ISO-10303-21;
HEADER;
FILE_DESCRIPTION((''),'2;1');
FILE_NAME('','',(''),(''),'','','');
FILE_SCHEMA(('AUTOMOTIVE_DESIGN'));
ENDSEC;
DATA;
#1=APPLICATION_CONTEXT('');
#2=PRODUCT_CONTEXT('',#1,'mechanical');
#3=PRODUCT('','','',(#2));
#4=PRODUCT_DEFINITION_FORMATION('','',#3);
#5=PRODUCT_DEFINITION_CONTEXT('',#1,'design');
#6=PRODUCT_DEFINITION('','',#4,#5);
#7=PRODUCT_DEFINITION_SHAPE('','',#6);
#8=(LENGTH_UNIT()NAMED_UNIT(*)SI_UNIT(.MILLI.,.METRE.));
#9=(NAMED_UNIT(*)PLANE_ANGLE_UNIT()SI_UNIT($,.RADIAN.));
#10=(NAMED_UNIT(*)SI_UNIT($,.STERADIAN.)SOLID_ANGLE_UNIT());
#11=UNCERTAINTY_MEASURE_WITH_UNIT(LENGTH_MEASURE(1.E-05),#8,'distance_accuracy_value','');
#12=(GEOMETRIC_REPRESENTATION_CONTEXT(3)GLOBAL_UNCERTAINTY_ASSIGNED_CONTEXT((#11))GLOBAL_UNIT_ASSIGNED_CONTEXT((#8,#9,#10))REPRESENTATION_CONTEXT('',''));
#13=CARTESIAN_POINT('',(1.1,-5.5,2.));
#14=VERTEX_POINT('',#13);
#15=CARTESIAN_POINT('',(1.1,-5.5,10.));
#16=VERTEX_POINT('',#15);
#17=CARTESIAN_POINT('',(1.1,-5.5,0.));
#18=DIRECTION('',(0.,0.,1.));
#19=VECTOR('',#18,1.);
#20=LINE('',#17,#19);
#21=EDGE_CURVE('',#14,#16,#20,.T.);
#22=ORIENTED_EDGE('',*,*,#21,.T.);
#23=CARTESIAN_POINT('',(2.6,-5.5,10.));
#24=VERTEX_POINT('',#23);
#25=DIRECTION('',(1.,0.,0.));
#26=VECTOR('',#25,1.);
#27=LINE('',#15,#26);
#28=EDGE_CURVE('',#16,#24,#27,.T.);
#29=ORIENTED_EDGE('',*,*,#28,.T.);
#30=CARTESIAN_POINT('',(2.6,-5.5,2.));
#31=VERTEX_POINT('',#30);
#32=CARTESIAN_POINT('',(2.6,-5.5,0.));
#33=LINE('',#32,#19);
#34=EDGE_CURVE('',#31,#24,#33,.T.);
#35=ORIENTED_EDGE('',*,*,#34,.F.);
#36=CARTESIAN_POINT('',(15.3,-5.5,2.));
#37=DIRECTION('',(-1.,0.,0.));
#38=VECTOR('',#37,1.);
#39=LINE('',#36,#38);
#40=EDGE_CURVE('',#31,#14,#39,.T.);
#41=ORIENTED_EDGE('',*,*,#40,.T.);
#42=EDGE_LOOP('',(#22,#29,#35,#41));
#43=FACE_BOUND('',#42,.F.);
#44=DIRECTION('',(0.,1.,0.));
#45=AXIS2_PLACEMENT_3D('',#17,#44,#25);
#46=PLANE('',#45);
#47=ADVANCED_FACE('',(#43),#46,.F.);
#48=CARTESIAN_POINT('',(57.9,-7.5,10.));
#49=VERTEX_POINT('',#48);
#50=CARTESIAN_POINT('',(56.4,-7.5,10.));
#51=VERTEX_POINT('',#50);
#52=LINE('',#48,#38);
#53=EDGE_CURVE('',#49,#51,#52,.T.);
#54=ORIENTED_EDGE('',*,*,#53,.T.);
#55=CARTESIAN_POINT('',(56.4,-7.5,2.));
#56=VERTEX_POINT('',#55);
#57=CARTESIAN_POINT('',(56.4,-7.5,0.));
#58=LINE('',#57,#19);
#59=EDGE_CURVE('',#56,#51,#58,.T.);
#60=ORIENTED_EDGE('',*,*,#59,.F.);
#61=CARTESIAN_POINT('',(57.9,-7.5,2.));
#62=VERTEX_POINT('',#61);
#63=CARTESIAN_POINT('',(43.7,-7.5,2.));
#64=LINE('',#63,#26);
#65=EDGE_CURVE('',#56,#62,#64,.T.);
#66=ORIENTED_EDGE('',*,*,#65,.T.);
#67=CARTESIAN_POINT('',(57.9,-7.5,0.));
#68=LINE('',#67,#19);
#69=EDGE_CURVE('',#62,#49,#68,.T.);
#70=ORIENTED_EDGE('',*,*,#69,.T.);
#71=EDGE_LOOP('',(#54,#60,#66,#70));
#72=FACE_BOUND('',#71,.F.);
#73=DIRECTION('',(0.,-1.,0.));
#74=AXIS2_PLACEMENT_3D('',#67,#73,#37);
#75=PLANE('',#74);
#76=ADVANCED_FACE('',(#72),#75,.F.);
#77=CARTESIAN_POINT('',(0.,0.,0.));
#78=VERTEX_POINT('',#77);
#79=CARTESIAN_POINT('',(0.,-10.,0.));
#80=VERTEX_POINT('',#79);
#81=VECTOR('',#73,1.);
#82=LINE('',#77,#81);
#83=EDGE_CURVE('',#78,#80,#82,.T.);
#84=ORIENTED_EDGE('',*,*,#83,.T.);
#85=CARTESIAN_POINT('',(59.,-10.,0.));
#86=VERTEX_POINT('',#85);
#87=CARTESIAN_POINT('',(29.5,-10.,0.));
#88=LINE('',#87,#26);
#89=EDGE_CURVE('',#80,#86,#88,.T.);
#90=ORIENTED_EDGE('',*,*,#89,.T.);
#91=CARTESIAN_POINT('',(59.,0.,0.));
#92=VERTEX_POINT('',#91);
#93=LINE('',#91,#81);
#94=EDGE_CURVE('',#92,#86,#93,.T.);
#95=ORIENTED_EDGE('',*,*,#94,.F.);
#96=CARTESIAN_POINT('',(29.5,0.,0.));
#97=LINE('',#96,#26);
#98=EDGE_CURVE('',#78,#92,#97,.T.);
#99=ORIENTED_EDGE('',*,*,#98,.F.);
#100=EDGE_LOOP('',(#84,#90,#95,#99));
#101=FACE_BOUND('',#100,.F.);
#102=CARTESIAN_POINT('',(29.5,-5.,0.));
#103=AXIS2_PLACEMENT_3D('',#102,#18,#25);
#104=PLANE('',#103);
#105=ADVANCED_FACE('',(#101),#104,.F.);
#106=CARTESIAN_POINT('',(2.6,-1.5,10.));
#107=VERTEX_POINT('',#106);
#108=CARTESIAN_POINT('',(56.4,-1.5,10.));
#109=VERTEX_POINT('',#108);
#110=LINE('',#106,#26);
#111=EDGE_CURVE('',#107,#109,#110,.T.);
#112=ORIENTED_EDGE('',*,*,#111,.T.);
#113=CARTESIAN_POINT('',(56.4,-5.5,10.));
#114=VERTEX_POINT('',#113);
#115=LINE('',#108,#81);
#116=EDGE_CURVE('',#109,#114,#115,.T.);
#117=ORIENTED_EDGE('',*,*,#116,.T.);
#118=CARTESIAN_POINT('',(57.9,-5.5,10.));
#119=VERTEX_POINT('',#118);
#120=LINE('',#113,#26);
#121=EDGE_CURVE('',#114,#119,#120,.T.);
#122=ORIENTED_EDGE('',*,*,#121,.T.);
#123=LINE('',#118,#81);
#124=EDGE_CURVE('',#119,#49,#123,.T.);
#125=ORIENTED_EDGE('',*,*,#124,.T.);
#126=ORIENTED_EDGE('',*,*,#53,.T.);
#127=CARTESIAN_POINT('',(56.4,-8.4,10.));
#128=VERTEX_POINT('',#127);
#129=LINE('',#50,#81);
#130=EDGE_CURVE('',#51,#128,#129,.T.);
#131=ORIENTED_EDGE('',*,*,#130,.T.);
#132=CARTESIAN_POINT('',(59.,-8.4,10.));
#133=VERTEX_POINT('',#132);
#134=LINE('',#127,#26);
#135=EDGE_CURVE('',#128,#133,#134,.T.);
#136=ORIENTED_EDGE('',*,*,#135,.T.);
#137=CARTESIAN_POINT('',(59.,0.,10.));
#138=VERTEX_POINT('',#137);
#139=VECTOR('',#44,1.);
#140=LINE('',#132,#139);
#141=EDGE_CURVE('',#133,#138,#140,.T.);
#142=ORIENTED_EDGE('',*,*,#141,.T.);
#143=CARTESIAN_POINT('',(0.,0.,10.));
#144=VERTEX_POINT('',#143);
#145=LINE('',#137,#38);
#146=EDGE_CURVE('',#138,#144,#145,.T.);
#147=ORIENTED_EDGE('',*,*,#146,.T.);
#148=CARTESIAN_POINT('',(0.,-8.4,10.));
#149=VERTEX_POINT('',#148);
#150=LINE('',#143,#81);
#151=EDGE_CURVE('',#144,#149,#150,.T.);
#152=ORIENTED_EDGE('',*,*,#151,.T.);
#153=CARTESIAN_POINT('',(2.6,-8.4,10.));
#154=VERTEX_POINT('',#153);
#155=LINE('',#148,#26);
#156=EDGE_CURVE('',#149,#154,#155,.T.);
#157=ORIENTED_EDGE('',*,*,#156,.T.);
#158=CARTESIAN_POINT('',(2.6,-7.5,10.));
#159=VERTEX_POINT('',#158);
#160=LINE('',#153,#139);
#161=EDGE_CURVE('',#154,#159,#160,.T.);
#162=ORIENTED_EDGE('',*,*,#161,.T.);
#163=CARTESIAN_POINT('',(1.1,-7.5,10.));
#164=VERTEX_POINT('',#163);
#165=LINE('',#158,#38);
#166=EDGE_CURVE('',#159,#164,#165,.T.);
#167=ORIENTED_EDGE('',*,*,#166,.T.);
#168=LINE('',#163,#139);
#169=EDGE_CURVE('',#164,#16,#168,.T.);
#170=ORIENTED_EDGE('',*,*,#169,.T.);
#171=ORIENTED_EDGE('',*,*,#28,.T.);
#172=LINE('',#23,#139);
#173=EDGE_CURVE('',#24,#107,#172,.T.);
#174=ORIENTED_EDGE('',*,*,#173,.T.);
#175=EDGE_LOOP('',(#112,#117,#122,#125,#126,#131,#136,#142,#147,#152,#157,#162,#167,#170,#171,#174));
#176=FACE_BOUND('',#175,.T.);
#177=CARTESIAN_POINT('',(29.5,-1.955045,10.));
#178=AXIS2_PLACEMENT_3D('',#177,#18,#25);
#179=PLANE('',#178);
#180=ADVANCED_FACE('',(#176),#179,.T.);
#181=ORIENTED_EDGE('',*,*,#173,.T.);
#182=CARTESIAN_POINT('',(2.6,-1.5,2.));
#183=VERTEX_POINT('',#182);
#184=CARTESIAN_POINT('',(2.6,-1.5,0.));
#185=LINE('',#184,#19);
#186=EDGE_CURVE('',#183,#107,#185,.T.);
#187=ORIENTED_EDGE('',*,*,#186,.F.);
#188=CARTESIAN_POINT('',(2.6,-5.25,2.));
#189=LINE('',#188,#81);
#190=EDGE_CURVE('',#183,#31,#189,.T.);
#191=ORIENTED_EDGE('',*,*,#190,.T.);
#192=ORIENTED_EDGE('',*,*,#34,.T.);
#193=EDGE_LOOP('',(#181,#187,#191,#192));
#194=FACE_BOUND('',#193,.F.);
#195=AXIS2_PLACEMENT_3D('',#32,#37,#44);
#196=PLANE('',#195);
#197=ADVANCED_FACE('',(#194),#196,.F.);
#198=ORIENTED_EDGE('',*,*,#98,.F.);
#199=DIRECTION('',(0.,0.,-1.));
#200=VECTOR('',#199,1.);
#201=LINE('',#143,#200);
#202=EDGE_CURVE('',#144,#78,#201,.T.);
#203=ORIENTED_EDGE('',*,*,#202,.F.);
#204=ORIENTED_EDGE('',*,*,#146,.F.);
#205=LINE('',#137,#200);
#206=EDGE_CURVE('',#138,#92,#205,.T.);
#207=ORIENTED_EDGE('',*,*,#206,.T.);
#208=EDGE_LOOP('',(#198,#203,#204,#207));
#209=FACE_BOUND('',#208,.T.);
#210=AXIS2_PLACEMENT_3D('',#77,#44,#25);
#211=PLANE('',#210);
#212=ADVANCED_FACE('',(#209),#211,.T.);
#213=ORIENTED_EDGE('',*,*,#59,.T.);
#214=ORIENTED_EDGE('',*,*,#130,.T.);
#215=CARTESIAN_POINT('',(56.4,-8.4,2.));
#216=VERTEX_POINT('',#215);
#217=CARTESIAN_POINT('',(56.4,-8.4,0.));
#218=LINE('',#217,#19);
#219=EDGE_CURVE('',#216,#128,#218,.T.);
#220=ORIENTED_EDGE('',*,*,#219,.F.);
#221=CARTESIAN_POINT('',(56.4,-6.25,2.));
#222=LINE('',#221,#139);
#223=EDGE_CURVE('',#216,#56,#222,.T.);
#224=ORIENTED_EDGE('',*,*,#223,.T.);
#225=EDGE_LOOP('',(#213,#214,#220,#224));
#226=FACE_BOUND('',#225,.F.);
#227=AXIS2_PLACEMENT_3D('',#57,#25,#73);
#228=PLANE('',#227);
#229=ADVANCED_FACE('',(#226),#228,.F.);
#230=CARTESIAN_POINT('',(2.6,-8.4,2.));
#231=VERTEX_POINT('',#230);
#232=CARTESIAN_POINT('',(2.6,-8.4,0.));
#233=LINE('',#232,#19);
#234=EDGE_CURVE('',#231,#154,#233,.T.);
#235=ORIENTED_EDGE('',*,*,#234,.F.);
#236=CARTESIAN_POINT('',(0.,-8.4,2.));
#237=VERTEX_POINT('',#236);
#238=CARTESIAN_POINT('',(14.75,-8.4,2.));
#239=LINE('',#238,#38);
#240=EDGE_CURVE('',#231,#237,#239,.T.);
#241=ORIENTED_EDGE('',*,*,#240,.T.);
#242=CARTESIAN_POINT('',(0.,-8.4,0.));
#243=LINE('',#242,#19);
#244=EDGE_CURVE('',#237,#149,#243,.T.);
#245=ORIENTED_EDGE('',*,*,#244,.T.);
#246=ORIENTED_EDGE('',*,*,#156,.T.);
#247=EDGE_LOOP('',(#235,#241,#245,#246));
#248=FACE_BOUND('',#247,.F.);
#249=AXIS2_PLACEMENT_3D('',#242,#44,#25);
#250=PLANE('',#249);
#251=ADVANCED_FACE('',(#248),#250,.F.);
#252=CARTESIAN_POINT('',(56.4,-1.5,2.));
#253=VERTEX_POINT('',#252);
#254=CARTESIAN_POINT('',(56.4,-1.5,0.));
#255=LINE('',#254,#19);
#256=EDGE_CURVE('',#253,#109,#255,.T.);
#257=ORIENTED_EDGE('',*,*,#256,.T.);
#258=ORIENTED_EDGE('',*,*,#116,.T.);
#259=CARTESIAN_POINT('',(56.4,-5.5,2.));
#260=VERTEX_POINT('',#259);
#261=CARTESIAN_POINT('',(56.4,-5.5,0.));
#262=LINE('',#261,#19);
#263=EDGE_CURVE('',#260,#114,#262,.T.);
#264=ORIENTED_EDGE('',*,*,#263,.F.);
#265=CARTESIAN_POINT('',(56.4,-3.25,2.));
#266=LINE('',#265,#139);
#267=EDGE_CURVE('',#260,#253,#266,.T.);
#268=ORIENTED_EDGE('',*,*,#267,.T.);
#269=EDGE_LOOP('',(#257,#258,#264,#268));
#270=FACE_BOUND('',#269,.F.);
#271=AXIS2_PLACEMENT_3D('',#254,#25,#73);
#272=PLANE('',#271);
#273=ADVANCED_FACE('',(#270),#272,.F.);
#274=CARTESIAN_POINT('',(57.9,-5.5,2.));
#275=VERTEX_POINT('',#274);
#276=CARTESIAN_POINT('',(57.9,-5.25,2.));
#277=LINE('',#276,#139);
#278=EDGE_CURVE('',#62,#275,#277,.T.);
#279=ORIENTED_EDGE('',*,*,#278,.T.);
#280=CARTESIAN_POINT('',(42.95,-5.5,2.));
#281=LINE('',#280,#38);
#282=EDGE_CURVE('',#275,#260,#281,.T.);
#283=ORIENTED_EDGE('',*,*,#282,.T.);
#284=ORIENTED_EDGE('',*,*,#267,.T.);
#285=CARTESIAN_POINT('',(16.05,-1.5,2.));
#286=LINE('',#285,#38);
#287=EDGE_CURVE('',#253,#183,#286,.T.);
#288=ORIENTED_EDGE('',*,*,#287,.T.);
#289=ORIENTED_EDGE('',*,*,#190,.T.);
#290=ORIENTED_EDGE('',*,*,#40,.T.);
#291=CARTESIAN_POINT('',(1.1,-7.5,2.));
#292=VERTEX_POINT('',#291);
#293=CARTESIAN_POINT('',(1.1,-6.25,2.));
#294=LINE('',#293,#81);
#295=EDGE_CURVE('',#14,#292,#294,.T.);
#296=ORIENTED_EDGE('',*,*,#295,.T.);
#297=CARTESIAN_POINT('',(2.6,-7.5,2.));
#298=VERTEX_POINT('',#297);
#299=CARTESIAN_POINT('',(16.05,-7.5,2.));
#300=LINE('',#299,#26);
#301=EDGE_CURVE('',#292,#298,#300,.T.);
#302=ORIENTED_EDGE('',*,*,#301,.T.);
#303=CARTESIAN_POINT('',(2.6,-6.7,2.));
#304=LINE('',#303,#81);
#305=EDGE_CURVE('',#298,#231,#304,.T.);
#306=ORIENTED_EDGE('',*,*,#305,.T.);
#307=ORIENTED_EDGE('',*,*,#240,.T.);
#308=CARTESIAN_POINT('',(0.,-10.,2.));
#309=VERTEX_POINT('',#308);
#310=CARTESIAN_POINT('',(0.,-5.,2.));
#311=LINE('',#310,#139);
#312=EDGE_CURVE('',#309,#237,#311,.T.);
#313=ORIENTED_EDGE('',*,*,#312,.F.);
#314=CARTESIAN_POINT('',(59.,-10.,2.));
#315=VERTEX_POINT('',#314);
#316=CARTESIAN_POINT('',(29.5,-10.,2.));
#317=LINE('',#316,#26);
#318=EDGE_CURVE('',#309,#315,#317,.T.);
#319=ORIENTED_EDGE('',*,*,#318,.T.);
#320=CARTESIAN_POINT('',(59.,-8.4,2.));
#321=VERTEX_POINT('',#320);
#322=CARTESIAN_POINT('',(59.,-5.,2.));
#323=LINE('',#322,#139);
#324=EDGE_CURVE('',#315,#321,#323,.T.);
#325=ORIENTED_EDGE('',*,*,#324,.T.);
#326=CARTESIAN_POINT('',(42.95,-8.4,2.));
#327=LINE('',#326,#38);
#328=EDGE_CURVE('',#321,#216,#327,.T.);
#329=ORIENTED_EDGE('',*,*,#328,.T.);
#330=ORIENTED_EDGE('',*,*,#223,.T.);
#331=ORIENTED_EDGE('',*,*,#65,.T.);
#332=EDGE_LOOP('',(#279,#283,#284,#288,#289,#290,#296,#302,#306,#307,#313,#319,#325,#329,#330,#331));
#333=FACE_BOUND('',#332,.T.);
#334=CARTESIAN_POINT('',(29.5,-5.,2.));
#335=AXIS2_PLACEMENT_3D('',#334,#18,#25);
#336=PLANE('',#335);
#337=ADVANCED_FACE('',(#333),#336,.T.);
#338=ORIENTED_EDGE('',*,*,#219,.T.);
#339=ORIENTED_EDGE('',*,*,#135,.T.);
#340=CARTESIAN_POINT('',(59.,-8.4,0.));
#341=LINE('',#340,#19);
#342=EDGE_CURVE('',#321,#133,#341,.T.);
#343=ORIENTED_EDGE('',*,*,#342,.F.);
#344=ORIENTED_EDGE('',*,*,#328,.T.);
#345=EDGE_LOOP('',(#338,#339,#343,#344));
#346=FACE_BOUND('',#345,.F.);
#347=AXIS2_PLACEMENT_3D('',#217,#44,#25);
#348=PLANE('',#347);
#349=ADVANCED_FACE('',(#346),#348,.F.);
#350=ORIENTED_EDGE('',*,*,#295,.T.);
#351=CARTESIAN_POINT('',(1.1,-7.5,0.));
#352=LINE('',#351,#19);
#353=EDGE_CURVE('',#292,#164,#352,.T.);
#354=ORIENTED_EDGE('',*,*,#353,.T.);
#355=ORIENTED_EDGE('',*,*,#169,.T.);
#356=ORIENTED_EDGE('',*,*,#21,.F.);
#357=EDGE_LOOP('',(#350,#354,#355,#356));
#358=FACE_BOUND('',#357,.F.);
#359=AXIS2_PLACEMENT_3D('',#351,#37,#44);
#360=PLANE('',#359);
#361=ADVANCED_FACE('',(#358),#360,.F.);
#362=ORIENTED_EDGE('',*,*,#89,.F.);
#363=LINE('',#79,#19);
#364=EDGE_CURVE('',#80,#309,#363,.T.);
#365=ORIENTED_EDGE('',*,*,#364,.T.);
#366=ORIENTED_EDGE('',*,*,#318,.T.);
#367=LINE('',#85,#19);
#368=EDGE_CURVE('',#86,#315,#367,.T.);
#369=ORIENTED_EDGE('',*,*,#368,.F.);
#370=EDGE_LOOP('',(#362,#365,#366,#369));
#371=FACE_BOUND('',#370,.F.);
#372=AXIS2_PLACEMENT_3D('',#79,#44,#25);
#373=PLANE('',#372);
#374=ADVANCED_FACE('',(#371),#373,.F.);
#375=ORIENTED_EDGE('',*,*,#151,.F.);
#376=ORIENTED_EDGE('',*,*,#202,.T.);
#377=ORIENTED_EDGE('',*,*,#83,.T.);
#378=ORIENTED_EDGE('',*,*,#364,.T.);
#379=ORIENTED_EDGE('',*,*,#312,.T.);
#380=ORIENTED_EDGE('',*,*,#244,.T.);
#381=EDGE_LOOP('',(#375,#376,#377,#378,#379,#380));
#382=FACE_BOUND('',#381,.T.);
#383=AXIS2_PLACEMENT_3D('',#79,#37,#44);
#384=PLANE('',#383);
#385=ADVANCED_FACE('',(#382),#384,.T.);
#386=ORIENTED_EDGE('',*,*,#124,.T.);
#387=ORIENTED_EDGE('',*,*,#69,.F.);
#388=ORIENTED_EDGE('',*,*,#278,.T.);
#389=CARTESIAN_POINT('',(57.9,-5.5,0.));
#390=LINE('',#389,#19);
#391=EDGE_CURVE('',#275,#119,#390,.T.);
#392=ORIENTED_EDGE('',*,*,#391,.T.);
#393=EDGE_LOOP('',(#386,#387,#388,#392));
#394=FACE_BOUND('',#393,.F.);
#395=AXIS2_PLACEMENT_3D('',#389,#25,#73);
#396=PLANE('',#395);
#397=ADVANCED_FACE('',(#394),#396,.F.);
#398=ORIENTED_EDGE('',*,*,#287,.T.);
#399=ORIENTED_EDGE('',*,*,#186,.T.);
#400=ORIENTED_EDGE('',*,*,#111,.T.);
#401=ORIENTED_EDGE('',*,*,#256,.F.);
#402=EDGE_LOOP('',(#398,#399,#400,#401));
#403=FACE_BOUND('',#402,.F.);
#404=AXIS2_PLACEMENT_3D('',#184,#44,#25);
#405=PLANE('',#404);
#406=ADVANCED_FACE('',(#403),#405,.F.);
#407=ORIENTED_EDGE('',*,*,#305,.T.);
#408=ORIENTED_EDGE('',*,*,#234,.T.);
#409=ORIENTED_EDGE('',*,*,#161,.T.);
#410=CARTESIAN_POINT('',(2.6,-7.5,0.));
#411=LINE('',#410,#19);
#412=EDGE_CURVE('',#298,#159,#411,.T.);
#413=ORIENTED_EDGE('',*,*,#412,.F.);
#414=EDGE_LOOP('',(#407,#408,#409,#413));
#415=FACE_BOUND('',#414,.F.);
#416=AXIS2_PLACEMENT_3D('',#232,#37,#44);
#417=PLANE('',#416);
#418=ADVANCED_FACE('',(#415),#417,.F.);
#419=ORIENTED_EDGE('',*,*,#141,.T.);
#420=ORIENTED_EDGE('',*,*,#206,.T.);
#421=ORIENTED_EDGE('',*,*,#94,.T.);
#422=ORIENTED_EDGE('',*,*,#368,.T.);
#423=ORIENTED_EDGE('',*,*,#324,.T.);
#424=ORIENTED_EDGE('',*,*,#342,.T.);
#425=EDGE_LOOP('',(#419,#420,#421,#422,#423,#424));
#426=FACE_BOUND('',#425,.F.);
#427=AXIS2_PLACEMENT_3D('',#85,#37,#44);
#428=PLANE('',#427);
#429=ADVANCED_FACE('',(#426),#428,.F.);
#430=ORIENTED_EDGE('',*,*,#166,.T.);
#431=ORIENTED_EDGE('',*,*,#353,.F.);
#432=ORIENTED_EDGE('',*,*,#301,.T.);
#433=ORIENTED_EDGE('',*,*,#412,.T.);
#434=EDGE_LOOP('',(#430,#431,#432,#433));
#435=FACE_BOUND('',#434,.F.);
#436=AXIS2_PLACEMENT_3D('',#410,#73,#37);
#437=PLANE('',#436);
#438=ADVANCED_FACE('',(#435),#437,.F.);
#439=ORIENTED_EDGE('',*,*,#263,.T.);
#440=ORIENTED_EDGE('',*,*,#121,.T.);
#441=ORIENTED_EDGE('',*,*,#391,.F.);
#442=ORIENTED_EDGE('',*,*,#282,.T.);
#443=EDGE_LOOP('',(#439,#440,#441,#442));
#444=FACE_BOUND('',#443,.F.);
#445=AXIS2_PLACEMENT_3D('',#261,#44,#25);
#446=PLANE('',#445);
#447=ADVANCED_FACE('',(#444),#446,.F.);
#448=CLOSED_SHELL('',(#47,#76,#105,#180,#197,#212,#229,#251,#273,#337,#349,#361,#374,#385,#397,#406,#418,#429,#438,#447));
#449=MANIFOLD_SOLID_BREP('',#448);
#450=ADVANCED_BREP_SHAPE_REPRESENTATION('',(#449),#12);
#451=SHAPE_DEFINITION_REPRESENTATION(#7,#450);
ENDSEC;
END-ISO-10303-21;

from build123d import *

# Parameters (mm, degrees)
PAD001_DEPTH = 10
SKETCH_W     = 59
SKETCH_H     = 10
PAD_DEPTH    = 2


with BuildPart() as pad001:
    # Sketch001 → Pad001 (new body)
    with BuildSketch(Plane.XY):
        Polygon((0, 0), (0, -8.4), (2.6, -8.4), (2.6, -7.5), (1.1, -7.5), (1.1, -5.5), (2.6, -5.5), (2.6, -1.5), (56.4, -1.5), (56.4, -5.5), (57.9, -5.5), (57.9, -7.5), (56.4, -7.5), (56.4, -8.4), (59, -8.4), (59, 0), align=None)
    extrude(amount=PAD001_DEPTH)


with BuildPart() as fusion:
    # Sketch → Pad (new body)
    with BuildSketch(Plane.XY):
        with Locations((29.5, -5)):
            Rectangle(SKETCH_W, SKETCH_H)
    extrude(amount=PAD_DEPTH)

    # Fusion: union Pad001
    add(pad001.part)


solid = fusion.part
